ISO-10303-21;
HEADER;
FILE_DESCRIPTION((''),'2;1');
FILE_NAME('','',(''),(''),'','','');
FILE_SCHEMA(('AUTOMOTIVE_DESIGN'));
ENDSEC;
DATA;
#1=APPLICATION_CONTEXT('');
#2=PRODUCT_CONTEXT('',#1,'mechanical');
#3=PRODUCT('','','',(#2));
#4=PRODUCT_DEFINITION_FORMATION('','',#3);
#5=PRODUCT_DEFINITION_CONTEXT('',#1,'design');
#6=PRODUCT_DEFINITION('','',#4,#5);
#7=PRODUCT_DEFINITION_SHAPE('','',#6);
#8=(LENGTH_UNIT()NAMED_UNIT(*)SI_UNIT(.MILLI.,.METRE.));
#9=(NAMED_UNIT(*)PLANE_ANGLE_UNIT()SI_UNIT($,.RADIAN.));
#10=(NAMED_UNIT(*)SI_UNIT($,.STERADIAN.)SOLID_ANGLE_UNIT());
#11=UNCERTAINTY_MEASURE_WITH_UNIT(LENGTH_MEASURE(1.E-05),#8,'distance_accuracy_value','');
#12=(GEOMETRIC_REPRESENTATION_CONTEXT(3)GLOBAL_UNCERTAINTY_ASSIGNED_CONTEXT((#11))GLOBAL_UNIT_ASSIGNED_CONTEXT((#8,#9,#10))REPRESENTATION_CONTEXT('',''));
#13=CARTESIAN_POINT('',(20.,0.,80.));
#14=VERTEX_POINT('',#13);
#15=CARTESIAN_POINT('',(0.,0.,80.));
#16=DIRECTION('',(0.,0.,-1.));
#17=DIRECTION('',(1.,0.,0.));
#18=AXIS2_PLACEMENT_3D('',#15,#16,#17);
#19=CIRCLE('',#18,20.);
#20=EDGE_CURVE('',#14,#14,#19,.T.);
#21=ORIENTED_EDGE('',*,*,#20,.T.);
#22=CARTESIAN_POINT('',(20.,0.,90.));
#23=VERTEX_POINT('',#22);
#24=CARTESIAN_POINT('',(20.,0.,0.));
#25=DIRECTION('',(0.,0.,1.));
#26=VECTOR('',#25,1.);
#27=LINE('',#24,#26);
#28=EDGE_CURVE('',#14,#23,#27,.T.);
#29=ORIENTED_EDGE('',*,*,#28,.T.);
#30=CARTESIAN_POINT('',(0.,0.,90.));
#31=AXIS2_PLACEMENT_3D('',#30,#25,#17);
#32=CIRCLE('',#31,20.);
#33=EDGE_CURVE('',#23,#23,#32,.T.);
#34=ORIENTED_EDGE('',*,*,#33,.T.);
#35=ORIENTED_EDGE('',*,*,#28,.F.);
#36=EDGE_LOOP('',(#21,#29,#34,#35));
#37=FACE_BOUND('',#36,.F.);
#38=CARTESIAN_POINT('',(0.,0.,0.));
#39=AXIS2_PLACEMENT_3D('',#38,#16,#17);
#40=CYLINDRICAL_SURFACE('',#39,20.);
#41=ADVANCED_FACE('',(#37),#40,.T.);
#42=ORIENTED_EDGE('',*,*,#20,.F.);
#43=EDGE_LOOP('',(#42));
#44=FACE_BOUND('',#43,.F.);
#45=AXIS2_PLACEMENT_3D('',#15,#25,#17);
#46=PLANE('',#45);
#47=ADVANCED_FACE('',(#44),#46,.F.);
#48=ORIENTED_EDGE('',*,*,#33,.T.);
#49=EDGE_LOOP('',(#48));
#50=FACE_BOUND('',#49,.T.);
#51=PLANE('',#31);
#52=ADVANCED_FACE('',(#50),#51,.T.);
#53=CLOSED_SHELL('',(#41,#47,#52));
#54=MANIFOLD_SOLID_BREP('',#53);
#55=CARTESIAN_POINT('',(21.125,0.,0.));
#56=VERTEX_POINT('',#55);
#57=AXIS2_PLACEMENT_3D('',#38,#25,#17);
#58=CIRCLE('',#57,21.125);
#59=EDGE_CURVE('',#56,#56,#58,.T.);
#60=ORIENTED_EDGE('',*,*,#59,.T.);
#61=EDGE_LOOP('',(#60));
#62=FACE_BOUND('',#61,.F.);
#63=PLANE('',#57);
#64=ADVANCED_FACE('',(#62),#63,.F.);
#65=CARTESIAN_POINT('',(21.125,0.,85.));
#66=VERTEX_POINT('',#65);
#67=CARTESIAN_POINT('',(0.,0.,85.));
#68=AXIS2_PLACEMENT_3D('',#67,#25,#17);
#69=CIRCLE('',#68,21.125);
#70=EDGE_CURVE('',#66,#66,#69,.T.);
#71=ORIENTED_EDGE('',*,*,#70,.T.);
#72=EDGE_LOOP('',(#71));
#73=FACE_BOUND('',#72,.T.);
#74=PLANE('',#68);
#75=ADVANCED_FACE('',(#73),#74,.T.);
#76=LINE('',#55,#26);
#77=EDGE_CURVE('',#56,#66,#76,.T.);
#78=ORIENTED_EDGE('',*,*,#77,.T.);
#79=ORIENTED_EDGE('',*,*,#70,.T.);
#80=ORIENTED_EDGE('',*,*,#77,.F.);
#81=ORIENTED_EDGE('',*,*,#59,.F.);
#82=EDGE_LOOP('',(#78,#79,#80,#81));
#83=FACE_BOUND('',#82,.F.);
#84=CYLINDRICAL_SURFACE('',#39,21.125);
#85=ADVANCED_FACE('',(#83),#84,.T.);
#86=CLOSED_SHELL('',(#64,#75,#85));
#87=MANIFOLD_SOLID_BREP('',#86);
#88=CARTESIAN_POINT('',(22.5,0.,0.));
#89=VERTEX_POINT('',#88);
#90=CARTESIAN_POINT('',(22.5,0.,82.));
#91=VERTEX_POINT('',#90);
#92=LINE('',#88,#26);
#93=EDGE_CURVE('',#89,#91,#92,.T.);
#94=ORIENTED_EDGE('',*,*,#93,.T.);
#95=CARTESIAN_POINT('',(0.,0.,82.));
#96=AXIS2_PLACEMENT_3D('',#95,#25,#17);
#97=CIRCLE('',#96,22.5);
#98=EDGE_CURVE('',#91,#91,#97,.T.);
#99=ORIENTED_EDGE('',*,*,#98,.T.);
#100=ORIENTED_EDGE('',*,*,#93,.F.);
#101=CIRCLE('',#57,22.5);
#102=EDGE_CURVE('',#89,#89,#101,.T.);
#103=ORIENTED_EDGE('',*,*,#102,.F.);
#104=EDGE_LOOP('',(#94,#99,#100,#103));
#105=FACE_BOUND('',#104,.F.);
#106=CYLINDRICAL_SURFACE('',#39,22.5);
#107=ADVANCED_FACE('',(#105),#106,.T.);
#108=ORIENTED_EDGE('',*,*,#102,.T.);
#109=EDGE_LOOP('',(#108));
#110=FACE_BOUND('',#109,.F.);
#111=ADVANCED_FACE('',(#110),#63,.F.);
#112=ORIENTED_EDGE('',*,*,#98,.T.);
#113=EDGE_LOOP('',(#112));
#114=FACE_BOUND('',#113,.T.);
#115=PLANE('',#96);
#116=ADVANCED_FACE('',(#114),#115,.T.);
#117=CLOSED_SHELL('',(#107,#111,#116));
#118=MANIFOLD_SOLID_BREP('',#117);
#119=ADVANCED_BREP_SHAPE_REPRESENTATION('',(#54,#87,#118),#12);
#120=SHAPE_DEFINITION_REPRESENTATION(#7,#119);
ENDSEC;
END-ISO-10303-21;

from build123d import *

# Parameters (mm, degrees)
CYLINDER001_R     = 22.5
CYLINDER001_DEPTH = 82
CYLINDER002_R     = 21.125
CYLINDER002_DEPTH = 85
CYLINDER_R        = 27
CYLINDER_DEPTH    = 80
CYLINDER003_R     = 20
CYLINDER003_DEPTH = 90


with BuildPart() as vacinner:
    # Cylinder001 → Cylinder001 (new body)
    with BuildSketch(Plane.XY):
        Circle(CYLINDER001_R)
    extrude(amount=CYLINDER001_DEPTH)


with BuildPart() as scieinner:
    # Cylinder002 → Cylinder002 (new body)
    with BuildSketch(Plane.XY):
        Circle(CYLINDER002_R)
    extrude(amount=CYLINDER002_DEPTH)


with BuildPart() as vacouter:
    # Cylinder → Cylinder (new body)
    with BuildSketch(Plane.XY):
        Circle(CYLINDER_R)
    extrude(amount=CYLINDER_DEPTH)


with BuildPart() as cut:
    # Cylinder003 → Cylinder003 (new body)
    with BuildSketch(Plane.XY):
        Circle(CYLINDER003_R)
    extrude(amount=CYLINDER003_DEPTH)

    # Cut: cut VacOuter
    add(vacouter.part, mode=Mode.SUBTRACT)


solid = Compound([vacinner.part, scieinner.part, cut.part])
